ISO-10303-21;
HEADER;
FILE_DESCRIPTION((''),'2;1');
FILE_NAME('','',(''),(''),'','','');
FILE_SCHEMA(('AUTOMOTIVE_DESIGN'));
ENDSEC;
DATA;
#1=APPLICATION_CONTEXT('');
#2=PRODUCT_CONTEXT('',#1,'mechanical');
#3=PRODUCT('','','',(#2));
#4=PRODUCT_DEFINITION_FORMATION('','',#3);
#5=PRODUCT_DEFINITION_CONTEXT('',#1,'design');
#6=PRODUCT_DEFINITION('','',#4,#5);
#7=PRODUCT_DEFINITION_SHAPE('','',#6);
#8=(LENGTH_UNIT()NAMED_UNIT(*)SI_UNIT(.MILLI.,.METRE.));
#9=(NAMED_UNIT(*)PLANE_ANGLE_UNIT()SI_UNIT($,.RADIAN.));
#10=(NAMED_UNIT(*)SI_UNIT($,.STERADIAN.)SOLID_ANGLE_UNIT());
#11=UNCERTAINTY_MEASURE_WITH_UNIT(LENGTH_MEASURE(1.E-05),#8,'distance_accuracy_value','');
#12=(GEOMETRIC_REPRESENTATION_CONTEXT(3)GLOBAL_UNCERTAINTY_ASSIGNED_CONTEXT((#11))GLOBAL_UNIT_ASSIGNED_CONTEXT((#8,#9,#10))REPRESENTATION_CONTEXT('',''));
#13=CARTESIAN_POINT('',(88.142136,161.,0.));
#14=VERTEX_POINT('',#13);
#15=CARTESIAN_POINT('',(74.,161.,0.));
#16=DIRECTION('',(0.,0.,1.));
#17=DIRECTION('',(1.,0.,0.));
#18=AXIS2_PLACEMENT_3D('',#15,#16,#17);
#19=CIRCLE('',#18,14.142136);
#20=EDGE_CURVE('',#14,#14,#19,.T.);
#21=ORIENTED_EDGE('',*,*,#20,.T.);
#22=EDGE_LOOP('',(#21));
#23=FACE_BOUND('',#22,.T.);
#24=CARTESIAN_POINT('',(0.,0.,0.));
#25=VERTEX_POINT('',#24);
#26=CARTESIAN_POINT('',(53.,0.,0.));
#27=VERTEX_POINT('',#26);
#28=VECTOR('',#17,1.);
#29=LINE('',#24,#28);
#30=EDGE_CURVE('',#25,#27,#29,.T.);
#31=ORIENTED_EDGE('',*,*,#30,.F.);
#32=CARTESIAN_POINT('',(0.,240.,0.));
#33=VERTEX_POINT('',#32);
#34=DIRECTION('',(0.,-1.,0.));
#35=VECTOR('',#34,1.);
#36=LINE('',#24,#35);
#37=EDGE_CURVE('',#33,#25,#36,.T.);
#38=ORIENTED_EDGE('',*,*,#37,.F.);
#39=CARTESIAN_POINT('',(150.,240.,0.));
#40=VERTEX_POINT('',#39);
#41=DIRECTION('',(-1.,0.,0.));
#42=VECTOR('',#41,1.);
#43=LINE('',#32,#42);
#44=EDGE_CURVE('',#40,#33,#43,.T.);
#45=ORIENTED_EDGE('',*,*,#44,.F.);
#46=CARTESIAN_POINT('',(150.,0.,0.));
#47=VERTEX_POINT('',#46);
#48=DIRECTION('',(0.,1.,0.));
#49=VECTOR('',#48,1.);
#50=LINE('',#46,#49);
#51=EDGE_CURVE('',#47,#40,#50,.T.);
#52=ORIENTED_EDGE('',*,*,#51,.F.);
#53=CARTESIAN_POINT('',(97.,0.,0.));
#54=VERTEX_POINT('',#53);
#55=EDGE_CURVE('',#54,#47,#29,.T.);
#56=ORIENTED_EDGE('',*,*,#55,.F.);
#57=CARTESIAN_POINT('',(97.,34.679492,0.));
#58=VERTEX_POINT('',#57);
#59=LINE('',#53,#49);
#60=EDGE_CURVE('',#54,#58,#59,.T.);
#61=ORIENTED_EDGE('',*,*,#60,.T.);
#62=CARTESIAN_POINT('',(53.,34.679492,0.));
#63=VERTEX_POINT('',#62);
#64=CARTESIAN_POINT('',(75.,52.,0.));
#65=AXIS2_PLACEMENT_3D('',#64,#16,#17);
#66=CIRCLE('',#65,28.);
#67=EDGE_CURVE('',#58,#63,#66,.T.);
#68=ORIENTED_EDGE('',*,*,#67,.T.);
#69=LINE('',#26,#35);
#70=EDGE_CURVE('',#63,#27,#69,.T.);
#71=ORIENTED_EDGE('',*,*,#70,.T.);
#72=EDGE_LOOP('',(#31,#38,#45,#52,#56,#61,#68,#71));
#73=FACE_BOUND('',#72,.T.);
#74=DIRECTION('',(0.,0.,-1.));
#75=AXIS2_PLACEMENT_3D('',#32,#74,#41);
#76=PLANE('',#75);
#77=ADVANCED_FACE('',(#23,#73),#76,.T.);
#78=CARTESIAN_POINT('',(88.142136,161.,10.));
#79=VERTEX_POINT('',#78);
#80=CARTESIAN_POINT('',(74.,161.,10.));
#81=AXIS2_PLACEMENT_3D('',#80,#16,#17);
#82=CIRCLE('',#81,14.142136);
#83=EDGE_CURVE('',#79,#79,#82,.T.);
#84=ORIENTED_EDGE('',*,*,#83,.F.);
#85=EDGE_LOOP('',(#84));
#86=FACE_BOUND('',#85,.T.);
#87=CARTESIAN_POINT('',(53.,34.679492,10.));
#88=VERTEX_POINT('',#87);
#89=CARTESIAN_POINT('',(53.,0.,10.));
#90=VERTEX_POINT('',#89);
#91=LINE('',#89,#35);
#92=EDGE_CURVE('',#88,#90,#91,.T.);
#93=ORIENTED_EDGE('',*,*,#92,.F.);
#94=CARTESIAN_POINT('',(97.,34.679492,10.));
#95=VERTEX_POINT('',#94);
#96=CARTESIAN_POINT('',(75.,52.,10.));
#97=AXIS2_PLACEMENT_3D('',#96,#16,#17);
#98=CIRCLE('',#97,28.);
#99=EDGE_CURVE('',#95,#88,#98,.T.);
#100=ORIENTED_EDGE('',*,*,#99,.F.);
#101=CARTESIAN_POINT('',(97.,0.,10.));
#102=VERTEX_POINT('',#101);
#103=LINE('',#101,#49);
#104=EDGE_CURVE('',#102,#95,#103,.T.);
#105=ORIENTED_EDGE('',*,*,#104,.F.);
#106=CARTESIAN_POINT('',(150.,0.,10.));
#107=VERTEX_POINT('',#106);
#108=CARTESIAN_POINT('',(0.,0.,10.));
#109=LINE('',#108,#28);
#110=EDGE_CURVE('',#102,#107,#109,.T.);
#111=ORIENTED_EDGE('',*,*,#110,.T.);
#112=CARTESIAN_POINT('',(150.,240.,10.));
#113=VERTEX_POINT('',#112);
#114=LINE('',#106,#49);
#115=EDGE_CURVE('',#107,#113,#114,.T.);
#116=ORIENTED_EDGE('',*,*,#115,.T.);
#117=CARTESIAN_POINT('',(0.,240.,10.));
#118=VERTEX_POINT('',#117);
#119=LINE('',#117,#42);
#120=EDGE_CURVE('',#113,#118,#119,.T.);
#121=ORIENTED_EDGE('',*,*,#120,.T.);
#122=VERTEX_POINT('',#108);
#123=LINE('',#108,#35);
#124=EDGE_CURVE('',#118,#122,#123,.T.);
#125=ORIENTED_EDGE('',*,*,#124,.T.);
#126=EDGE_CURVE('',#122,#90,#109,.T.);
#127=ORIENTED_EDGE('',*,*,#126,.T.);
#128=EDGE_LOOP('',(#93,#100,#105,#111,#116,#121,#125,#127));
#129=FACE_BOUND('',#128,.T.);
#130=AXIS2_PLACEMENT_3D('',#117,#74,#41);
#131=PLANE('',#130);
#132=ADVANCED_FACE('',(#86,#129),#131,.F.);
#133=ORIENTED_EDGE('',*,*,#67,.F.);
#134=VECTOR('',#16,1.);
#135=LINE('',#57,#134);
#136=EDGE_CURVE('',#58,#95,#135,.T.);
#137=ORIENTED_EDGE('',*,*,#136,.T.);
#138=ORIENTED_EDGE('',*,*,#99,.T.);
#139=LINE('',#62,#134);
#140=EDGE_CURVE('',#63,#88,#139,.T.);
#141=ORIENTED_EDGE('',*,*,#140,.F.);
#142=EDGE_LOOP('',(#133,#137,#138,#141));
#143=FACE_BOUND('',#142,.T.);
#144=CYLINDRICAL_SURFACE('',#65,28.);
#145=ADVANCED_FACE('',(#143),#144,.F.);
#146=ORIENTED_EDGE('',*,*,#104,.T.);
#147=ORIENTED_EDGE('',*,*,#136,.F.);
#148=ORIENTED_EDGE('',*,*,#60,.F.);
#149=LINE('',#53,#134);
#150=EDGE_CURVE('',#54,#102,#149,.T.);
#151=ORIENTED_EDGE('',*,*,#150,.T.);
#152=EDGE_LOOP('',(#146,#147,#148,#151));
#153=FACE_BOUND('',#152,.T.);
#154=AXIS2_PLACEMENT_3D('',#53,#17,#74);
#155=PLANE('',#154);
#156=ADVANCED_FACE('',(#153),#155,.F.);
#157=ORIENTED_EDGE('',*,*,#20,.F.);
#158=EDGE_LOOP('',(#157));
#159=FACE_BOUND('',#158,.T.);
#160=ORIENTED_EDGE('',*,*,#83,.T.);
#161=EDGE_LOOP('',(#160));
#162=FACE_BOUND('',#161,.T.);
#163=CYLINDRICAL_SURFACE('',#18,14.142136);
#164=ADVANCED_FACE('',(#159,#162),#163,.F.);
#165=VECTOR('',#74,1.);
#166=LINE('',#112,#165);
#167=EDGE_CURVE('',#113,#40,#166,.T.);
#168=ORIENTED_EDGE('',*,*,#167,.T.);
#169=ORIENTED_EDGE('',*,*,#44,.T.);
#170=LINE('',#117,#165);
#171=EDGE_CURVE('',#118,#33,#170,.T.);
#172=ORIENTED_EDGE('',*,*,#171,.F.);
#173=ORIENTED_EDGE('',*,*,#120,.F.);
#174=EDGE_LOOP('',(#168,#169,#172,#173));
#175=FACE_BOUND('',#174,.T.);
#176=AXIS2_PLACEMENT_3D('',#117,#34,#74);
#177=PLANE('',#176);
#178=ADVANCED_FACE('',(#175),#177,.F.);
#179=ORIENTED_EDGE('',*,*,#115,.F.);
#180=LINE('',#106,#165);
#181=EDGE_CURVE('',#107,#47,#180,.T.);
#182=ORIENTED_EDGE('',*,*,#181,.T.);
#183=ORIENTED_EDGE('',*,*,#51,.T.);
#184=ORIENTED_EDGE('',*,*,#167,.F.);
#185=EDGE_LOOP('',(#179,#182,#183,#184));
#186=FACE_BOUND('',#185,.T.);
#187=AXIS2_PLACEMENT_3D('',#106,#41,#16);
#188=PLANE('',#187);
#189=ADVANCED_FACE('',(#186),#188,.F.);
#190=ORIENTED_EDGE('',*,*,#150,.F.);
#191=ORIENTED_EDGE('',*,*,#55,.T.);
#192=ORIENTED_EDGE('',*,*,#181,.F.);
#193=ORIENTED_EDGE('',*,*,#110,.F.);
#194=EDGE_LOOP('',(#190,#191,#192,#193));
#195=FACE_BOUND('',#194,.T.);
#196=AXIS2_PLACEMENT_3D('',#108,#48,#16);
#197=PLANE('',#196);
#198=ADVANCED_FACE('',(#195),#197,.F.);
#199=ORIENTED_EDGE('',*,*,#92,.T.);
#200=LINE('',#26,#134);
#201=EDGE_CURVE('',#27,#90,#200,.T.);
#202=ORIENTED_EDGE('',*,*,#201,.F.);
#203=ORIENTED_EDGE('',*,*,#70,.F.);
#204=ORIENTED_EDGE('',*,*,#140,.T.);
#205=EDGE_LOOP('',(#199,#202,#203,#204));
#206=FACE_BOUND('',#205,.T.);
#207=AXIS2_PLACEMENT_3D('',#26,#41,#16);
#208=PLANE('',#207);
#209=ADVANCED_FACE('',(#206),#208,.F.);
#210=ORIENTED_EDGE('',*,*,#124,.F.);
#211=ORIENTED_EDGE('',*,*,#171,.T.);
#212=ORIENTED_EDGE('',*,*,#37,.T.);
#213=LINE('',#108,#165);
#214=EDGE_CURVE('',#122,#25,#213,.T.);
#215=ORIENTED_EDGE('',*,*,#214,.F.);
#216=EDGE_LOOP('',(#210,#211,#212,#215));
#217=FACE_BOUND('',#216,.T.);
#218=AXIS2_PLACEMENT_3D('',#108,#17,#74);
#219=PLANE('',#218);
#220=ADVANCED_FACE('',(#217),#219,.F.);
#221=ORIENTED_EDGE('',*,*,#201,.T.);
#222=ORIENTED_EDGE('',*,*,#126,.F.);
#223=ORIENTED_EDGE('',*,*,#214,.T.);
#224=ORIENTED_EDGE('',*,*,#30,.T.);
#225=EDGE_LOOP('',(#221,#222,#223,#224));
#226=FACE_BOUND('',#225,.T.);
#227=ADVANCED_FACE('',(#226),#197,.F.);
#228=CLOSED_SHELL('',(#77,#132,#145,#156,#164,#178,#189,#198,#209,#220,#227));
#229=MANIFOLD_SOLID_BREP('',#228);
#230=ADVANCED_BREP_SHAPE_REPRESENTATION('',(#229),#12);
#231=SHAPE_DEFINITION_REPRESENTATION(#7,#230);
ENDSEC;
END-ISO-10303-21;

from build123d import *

# Parameters (mm, degrees)
ESQUISSE1_W             = 150
ESQUISSE1_H             = 240
BASE_EXTRUSION_DEPTH    = 10
ENL_V_MAT_EXTRU_1_DEPTH = 10
ESQUISSE3_R             = 14.142135624
ENL_V_MAT_EXTRU_2_DEPTH = 10


with BuildPart() as part:
    # Esquisse1 → Base-Extrusion (new body)
    with BuildSketch(Plane.XY):
        with Locations((75, 120)):
            Rectangle(ESQUISSE1_W, ESQUISSE1_H)
    extrude(amount=BASE_EXTRUSION_DEPTH)

    # Esquisse2 → Enlèv. mat.-Extru.1 (cut)
    with BuildSketch(Plane.XY.offset(10)):
        with BuildLine():
            Line((53, 0), (97, 0))
            Line((97, 0), (97, 34.679491924))
            ThreePointArc((97, 34.679491924), (75, 80), (53, 34.679491924))
            Line((53, 34.679491924), (53, 0))
        make_face()
    extrude(amount=-ENL_V_MAT_EXTRU_1_DEPTH, mode=Mode.SUBTRACT)

    # Esquisse3 → Enlèv. mat.-Extru.2 (cut)
    with BuildSketch(Plane.XY.offset(10)):
        with Locations((74, 161)):
            Circle(ESQUISSE3_R)
    extrude(amount=-ENL_V_MAT_EXTRU_2_DEPTH, mode=Mode.SUBTRACT)


solid = part.part
